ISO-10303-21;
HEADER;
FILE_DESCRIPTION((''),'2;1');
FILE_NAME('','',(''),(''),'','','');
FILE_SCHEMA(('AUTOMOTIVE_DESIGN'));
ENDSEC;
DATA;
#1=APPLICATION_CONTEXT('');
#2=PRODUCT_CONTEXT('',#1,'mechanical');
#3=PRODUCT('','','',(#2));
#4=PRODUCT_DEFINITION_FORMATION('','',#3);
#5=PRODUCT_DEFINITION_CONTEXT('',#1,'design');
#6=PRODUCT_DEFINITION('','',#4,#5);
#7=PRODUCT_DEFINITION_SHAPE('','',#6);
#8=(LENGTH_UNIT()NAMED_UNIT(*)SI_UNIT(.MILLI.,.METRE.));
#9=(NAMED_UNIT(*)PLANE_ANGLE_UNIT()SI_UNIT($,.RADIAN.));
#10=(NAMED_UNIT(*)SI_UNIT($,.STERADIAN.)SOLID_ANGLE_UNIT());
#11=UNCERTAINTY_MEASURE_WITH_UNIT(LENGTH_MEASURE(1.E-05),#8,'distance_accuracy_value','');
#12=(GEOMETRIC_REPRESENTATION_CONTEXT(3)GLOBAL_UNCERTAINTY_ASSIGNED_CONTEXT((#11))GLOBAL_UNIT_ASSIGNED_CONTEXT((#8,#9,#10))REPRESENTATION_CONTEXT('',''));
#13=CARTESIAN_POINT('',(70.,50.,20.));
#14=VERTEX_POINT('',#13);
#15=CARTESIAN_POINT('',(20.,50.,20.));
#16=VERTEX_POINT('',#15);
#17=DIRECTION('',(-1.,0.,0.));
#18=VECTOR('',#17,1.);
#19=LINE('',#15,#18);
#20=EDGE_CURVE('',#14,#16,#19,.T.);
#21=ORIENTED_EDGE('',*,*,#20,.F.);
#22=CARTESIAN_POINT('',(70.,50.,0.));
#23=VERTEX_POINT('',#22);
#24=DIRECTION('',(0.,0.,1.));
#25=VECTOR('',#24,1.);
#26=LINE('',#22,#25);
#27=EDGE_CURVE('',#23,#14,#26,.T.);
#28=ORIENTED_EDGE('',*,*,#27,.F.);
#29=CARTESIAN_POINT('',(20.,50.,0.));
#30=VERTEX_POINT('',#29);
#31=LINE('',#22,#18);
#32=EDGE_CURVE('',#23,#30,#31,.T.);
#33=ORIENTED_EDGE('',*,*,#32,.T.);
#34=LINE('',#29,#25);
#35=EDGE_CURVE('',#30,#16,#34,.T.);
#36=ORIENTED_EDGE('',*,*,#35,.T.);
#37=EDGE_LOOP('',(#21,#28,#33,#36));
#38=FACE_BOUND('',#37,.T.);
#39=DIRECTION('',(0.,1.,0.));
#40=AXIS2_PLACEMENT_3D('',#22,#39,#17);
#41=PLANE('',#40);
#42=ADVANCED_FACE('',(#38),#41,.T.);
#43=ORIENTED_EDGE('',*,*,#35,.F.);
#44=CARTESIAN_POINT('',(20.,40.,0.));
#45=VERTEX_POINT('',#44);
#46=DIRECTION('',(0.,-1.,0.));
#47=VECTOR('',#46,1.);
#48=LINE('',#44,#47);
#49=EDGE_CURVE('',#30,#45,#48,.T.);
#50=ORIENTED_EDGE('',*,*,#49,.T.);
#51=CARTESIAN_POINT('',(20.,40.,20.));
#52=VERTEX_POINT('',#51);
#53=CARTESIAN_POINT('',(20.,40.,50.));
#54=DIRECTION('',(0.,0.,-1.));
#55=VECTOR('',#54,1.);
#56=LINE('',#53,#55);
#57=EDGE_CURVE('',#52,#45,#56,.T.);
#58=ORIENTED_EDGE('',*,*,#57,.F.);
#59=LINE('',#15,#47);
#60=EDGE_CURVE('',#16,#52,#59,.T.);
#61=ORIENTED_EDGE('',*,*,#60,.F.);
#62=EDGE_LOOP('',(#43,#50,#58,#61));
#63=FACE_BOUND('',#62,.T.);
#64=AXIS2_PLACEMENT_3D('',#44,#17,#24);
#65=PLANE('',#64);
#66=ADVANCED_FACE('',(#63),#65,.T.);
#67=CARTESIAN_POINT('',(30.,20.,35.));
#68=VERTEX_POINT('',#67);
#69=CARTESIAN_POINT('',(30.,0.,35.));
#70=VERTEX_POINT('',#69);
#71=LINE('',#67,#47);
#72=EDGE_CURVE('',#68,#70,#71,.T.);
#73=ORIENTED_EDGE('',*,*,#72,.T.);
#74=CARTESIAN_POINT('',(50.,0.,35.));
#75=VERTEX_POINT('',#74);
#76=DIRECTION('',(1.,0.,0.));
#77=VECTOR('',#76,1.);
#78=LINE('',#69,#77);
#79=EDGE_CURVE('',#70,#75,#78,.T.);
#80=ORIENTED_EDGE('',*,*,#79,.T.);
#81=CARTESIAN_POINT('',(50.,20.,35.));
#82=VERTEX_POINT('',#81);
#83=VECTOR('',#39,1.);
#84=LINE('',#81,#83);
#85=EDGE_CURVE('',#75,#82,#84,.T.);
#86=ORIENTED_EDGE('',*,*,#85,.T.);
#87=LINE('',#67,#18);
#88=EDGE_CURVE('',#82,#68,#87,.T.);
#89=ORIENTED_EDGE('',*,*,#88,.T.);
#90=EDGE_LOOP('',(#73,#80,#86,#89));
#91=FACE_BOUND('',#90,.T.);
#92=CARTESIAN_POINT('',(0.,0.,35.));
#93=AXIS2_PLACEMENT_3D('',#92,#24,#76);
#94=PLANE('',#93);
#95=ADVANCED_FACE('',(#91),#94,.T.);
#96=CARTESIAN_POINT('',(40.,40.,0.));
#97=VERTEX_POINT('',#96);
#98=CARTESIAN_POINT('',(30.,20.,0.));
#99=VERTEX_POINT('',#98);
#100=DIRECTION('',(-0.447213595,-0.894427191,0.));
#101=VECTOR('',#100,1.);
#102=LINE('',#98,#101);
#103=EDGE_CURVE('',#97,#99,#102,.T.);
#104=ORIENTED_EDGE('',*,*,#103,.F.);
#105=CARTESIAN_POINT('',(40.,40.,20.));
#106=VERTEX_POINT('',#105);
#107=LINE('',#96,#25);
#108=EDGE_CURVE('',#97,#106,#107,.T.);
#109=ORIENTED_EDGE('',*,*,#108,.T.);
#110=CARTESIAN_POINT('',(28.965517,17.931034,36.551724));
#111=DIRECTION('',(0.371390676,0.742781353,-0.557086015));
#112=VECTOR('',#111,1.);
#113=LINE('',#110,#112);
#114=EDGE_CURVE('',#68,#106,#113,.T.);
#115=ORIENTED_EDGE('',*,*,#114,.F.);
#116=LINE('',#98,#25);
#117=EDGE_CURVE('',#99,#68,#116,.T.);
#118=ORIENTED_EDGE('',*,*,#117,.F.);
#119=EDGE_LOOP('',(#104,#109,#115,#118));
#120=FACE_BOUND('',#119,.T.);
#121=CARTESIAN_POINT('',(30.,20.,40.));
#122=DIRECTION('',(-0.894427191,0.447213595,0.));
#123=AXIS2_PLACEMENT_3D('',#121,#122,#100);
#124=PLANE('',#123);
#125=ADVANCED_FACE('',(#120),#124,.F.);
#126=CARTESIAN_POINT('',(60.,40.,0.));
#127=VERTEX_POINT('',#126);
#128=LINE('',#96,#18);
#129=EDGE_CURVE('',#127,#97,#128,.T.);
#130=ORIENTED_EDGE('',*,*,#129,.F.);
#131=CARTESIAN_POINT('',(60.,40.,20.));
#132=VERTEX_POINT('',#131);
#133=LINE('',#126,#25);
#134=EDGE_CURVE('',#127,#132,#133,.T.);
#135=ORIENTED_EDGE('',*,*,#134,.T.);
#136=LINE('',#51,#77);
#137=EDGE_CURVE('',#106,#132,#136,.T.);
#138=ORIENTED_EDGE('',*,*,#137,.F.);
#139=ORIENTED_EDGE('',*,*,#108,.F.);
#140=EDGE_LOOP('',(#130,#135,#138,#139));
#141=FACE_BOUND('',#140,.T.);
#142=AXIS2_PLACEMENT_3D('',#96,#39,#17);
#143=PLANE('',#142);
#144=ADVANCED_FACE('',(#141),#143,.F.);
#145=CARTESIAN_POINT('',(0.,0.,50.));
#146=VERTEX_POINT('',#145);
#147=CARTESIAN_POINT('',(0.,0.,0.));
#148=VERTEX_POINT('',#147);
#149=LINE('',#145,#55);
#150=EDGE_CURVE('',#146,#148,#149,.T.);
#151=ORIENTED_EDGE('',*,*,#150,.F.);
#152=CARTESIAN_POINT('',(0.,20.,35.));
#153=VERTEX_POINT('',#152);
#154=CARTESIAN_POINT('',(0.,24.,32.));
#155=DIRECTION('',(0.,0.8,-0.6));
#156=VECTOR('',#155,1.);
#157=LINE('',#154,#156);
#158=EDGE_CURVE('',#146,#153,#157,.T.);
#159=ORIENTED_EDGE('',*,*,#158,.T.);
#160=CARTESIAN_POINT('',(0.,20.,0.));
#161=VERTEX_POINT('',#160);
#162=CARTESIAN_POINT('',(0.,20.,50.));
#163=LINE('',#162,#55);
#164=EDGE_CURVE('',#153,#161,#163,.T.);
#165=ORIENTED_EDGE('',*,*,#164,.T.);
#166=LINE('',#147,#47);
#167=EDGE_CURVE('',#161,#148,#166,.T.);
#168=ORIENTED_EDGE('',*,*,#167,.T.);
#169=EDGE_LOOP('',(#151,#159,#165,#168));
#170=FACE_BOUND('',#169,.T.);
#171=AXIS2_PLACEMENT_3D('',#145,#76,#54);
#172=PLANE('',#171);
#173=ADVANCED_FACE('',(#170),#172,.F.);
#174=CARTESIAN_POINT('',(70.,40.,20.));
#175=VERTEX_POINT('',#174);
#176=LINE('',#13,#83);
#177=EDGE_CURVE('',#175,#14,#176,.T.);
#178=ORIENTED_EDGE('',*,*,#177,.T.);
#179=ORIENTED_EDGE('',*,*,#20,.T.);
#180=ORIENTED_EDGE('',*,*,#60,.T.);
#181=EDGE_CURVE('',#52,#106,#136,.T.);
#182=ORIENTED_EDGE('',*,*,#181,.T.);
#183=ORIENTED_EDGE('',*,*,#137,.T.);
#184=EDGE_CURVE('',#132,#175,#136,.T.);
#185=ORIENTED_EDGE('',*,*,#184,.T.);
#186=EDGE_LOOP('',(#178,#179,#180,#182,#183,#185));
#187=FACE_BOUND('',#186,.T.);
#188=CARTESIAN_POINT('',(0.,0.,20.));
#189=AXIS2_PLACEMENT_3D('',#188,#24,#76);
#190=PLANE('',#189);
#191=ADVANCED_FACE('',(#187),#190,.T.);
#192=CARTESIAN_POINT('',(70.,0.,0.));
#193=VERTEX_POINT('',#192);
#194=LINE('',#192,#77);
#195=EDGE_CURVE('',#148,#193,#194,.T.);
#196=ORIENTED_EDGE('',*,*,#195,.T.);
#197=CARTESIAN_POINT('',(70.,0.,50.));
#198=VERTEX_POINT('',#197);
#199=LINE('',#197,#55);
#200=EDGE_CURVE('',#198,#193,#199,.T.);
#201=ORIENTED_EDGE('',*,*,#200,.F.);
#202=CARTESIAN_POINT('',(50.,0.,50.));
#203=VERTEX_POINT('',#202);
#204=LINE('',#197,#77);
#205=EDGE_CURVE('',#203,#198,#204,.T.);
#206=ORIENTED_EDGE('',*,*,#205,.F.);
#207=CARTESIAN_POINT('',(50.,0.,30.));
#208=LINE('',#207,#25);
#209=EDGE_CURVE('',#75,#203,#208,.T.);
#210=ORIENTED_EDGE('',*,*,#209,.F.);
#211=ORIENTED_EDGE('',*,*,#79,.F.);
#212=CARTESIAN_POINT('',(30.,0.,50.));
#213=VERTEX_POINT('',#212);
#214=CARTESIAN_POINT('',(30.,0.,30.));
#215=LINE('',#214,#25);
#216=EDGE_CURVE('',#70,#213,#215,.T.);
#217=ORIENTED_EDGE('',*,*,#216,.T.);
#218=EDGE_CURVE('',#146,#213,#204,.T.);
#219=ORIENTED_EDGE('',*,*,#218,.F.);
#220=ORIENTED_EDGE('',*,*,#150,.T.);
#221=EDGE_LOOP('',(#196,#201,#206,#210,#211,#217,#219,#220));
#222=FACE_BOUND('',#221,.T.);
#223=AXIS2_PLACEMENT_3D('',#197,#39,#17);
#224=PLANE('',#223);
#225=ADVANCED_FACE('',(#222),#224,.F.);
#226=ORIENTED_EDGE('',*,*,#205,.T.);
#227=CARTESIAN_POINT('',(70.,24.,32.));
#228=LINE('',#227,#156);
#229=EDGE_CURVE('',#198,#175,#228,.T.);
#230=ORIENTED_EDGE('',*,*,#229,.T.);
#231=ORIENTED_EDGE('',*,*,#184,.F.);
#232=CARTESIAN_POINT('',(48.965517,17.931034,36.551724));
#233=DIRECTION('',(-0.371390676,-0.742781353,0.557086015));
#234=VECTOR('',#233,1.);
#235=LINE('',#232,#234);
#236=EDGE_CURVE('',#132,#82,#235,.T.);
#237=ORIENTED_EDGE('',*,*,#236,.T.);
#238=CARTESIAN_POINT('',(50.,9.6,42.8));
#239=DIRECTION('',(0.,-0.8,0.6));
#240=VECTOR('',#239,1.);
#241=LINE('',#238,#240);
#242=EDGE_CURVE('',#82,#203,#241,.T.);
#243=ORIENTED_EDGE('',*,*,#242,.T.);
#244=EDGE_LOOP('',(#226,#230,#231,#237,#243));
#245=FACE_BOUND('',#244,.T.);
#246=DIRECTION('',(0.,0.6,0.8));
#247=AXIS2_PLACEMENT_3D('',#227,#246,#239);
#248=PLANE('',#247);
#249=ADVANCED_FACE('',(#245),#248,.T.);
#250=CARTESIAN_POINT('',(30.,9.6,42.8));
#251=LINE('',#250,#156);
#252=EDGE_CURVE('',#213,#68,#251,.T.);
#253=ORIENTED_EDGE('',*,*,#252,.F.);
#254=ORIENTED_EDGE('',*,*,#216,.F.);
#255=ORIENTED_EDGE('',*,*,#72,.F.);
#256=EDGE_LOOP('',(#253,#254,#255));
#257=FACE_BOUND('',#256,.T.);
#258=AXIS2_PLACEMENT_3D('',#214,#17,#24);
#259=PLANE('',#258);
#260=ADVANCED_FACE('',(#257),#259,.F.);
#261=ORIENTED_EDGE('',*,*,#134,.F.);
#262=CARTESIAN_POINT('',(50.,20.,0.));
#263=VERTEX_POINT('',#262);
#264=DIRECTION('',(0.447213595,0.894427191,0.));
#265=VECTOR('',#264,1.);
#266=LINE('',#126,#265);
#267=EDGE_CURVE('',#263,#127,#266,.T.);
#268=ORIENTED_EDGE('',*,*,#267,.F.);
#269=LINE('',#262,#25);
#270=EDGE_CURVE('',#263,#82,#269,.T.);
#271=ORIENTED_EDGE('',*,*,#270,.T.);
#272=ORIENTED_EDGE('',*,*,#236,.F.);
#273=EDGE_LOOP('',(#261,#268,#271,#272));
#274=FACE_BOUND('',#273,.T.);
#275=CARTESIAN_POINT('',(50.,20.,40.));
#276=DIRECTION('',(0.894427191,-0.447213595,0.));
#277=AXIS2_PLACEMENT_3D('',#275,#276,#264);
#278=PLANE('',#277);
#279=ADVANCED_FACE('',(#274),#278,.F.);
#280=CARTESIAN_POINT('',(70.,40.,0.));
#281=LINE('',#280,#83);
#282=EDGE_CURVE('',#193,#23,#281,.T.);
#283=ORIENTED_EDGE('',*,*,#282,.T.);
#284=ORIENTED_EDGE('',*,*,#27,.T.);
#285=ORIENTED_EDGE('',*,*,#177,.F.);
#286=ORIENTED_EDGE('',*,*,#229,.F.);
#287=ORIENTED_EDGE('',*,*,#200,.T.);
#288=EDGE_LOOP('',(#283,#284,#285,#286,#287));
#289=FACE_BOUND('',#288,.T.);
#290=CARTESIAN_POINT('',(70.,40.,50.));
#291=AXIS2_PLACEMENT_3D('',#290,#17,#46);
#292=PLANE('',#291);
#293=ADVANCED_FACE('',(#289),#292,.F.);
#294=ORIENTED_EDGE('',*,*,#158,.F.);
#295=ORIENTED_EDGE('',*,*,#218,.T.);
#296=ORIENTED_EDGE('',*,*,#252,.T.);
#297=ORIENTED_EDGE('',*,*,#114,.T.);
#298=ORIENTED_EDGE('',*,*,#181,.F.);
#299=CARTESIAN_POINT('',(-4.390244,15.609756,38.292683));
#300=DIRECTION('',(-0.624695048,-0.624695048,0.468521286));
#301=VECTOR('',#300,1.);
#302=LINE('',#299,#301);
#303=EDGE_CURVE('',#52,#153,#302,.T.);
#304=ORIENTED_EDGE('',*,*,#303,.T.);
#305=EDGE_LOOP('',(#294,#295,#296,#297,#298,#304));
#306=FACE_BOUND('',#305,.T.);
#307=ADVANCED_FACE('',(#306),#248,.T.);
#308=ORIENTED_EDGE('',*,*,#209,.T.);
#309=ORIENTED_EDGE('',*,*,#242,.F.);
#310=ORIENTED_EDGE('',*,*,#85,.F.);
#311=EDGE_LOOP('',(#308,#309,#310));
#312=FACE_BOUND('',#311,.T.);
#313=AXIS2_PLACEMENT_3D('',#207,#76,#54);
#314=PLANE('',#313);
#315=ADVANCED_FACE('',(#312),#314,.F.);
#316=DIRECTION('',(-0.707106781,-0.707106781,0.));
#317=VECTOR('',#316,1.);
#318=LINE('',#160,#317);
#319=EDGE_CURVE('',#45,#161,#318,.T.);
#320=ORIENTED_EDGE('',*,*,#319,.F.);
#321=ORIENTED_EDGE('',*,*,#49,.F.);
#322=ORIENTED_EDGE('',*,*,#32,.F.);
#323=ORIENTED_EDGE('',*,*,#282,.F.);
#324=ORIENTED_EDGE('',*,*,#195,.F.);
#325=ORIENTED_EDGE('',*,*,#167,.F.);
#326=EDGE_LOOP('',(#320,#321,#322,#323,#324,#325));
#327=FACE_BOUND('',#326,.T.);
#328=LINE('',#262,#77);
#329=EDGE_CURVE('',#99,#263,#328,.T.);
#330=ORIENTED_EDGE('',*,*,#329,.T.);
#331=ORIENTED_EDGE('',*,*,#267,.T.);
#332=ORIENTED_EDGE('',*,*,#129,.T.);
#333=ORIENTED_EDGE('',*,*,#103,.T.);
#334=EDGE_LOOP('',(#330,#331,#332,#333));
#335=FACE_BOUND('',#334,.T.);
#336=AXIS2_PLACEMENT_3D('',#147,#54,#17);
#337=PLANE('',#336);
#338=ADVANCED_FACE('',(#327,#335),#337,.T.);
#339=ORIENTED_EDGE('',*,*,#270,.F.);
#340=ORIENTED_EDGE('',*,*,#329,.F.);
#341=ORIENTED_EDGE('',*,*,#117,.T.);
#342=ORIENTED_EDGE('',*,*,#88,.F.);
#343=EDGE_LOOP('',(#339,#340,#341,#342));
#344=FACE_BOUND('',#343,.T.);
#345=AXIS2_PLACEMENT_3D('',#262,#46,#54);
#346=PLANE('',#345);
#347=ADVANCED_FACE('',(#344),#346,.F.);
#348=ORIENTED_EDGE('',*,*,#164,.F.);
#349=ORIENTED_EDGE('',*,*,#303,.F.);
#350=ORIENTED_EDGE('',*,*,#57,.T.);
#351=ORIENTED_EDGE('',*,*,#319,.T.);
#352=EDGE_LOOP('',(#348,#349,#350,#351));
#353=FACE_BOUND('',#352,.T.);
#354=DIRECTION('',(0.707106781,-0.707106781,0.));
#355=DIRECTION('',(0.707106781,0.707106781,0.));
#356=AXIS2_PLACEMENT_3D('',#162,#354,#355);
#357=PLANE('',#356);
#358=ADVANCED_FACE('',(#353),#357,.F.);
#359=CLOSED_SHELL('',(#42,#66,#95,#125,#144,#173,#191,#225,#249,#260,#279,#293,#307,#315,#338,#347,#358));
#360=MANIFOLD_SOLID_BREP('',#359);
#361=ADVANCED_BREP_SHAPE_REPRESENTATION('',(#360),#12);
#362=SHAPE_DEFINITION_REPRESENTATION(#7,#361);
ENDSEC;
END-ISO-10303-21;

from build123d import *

# Parameters (mm, degrees)
BOSS_EXTRUDE1_DEPTH = 50
SKETCH2_W           = 20
SKETCH2_H           = 20
CUT_EXTRUDE1_DEPTH  = 20
CUT_EXTRUDE2_DEPTH  = 10
SKETCH4_W           = 50
SKETCH4_H           = 10
BOSS_EXTRUDE2_DEPTH = 50
SKETCH5_W           = 50
SKETCH5_H           = 10
CUT_EXTRUDE5_DEPTH  = 30
SKETCH6_W           = 20
SKETCH6_H           = 20
BOSS_EXTRUDE4_DEPTH = 5
CUT_EXTRUDE8_DEPTH  = 40
CUT_EXTRUDE9_DEPTH  = 70


with BuildPart() as part:
    # Sketch1 → Boss-Extrude1 (new body)
    with BuildSketch(Plane.XY):
        Polygon((0, 0), (0, 20), (20, 40), (70, 40), (70, 0), align=None)
    extrude(amount=BOSS_EXTRUDE1_DEPTH)

    # Sketch2 → Cut-Extrude1 (cut)
    with BuildSketch(Plane.XY.offset(50)):
        with Locations((40, 10)):
            Rectangle(SKETCH2_W, SKETCH2_H)
    extrude(amount=-CUT_EXTRUDE1_DEPTH, mode=Mode.SUBTRACT)

    # Sketch3 → Cut-Extrude2 (cut)
    with BuildSketch(Plane.XY.offset(50)):
        Polygon((30, 20), (40, 40), (60, 40), (50, 20), align=None)
    extrude(amount=-CUT_EXTRUDE2_DEPTH, mode=Mode.SUBTRACT)

    # Sketch4 → Boss-Extrude2 (add)
    with BuildSketch(Plane.XY.offset(50)):
        with Locations((45, 45)):
            Rectangle(SKETCH4_W, SKETCH4_H)
    extrude(amount=-BOSS_EXTRUDE2_DEPTH)

    # Sketch5 → Cut-Extrude5 (cut)
    with BuildSketch(Plane.XY.offset(50)):
        with Locations((45, 45)):
            Rectangle(SKETCH5_W, SKETCH5_H)
    extrude(amount=-CUT_EXTRUDE5_DEPTH, mode=Mode.SUBTRACT)

    # Sketch6 → Boss-Extrude4 (add)
    with BuildSketch(Plane.XY.offset(30)):
        with Locations((40, 10)):
            Rectangle(SKETCH6_W, SKETCH6_H)
    extrude(amount=BOSS_EXTRUDE4_DEPTH)

    # Sketch8 → Cut-Extrude8 (cut)
    with BuildSketch(Plane.XY.offset(40)):
        Polygon((40, 40), (60, 40), (50, 20), (30, 20), align=None)
    extrude(amount=-CUT_EXTRUDE8_DEPTH, mode=Mode.SUBTRACT)

    # Sketch9 → Cut-Extrude9 (cut)
    with BuildSketch(Plane.ZY):
        Polygon((20, 40), (35, 20), (50, 20), (50, 40), align=None)
        Polygon((35, 20), (50, 0), (50, 20), align=None)
    extrude(amount=-CUT_EXTRUDE9_DEPTH, mode=Mode.SUBTRACT)


solid = part.part
